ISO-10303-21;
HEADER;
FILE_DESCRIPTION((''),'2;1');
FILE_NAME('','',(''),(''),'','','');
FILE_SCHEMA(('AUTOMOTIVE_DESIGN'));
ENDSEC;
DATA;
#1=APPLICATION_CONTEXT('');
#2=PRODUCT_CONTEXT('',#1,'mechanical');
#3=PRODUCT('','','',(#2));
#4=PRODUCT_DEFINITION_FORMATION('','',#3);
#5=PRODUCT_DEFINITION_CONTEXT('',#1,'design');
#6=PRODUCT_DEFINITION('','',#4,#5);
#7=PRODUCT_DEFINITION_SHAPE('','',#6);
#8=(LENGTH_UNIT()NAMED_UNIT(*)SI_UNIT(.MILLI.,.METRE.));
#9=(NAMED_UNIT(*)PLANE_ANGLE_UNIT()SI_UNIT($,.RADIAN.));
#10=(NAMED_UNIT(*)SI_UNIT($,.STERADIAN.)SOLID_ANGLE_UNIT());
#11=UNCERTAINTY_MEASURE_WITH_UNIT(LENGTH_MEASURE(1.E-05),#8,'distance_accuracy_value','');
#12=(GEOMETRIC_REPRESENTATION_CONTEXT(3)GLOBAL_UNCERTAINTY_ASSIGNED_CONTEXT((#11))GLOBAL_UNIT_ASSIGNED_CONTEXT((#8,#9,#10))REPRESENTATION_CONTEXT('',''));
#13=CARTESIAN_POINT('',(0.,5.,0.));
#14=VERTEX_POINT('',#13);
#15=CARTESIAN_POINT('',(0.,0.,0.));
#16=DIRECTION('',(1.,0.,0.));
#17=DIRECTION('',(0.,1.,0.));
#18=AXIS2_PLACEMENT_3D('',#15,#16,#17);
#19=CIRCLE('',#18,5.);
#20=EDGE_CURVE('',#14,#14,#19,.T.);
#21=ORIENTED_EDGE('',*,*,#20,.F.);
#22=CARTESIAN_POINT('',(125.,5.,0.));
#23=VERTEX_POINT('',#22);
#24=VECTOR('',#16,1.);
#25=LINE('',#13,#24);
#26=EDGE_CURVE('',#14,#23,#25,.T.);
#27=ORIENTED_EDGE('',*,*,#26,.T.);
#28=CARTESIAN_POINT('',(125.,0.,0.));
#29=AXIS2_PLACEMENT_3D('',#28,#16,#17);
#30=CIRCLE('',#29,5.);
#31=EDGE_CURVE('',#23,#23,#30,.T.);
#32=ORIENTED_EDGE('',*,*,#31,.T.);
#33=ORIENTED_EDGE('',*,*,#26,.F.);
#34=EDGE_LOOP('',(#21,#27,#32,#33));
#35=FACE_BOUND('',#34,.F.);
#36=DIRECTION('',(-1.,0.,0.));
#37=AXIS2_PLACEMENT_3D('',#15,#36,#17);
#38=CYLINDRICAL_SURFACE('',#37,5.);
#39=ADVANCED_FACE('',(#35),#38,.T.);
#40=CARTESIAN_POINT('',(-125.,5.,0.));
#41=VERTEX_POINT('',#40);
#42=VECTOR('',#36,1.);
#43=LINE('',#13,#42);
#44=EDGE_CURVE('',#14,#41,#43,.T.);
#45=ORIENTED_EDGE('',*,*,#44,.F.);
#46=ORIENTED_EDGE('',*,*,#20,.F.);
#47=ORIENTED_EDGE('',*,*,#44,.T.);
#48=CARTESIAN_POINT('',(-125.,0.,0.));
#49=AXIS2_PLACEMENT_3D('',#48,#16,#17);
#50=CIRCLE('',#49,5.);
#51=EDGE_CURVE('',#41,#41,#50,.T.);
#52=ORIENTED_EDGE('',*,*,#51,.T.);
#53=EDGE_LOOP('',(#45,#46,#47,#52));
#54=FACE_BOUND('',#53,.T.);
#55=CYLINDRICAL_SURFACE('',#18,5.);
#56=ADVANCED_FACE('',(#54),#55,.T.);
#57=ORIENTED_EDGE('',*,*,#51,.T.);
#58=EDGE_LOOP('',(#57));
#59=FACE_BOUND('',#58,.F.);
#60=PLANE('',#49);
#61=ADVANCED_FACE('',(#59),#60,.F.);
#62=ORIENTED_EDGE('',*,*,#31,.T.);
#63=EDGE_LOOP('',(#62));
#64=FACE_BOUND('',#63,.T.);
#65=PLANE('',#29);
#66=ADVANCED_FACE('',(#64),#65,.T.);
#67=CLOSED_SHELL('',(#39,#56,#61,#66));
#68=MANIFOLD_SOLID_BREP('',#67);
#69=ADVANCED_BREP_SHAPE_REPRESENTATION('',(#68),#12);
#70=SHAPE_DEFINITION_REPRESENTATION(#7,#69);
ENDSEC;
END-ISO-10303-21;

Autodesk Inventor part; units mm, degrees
ref_plane "YZ Plane" through (0, 0, 0) normal (1, 0, 0) x (0, 1, 0)
ref_plane "XZ Plane" through (0, 0, 0) normal (0, 1, 0) x (-1, 0, 0)
ref_plane "XY Plane" through (0, 0, 0) normal (0, 0, 1) x (1, 0, 0)
sketch "Sketch1" plane through (0, 0, 0) normal (1, 0, 0) x (0, 1, 0)
  circle A0 centre (0, 0) radius 5
  dimension "d0" = 10
extrude "Extrusion1" add sketch "Sketch1" along normal mid plane 250
properties part number "09_Truc_song_song_x10x250" material "Stainless Steel, Austenitic"
